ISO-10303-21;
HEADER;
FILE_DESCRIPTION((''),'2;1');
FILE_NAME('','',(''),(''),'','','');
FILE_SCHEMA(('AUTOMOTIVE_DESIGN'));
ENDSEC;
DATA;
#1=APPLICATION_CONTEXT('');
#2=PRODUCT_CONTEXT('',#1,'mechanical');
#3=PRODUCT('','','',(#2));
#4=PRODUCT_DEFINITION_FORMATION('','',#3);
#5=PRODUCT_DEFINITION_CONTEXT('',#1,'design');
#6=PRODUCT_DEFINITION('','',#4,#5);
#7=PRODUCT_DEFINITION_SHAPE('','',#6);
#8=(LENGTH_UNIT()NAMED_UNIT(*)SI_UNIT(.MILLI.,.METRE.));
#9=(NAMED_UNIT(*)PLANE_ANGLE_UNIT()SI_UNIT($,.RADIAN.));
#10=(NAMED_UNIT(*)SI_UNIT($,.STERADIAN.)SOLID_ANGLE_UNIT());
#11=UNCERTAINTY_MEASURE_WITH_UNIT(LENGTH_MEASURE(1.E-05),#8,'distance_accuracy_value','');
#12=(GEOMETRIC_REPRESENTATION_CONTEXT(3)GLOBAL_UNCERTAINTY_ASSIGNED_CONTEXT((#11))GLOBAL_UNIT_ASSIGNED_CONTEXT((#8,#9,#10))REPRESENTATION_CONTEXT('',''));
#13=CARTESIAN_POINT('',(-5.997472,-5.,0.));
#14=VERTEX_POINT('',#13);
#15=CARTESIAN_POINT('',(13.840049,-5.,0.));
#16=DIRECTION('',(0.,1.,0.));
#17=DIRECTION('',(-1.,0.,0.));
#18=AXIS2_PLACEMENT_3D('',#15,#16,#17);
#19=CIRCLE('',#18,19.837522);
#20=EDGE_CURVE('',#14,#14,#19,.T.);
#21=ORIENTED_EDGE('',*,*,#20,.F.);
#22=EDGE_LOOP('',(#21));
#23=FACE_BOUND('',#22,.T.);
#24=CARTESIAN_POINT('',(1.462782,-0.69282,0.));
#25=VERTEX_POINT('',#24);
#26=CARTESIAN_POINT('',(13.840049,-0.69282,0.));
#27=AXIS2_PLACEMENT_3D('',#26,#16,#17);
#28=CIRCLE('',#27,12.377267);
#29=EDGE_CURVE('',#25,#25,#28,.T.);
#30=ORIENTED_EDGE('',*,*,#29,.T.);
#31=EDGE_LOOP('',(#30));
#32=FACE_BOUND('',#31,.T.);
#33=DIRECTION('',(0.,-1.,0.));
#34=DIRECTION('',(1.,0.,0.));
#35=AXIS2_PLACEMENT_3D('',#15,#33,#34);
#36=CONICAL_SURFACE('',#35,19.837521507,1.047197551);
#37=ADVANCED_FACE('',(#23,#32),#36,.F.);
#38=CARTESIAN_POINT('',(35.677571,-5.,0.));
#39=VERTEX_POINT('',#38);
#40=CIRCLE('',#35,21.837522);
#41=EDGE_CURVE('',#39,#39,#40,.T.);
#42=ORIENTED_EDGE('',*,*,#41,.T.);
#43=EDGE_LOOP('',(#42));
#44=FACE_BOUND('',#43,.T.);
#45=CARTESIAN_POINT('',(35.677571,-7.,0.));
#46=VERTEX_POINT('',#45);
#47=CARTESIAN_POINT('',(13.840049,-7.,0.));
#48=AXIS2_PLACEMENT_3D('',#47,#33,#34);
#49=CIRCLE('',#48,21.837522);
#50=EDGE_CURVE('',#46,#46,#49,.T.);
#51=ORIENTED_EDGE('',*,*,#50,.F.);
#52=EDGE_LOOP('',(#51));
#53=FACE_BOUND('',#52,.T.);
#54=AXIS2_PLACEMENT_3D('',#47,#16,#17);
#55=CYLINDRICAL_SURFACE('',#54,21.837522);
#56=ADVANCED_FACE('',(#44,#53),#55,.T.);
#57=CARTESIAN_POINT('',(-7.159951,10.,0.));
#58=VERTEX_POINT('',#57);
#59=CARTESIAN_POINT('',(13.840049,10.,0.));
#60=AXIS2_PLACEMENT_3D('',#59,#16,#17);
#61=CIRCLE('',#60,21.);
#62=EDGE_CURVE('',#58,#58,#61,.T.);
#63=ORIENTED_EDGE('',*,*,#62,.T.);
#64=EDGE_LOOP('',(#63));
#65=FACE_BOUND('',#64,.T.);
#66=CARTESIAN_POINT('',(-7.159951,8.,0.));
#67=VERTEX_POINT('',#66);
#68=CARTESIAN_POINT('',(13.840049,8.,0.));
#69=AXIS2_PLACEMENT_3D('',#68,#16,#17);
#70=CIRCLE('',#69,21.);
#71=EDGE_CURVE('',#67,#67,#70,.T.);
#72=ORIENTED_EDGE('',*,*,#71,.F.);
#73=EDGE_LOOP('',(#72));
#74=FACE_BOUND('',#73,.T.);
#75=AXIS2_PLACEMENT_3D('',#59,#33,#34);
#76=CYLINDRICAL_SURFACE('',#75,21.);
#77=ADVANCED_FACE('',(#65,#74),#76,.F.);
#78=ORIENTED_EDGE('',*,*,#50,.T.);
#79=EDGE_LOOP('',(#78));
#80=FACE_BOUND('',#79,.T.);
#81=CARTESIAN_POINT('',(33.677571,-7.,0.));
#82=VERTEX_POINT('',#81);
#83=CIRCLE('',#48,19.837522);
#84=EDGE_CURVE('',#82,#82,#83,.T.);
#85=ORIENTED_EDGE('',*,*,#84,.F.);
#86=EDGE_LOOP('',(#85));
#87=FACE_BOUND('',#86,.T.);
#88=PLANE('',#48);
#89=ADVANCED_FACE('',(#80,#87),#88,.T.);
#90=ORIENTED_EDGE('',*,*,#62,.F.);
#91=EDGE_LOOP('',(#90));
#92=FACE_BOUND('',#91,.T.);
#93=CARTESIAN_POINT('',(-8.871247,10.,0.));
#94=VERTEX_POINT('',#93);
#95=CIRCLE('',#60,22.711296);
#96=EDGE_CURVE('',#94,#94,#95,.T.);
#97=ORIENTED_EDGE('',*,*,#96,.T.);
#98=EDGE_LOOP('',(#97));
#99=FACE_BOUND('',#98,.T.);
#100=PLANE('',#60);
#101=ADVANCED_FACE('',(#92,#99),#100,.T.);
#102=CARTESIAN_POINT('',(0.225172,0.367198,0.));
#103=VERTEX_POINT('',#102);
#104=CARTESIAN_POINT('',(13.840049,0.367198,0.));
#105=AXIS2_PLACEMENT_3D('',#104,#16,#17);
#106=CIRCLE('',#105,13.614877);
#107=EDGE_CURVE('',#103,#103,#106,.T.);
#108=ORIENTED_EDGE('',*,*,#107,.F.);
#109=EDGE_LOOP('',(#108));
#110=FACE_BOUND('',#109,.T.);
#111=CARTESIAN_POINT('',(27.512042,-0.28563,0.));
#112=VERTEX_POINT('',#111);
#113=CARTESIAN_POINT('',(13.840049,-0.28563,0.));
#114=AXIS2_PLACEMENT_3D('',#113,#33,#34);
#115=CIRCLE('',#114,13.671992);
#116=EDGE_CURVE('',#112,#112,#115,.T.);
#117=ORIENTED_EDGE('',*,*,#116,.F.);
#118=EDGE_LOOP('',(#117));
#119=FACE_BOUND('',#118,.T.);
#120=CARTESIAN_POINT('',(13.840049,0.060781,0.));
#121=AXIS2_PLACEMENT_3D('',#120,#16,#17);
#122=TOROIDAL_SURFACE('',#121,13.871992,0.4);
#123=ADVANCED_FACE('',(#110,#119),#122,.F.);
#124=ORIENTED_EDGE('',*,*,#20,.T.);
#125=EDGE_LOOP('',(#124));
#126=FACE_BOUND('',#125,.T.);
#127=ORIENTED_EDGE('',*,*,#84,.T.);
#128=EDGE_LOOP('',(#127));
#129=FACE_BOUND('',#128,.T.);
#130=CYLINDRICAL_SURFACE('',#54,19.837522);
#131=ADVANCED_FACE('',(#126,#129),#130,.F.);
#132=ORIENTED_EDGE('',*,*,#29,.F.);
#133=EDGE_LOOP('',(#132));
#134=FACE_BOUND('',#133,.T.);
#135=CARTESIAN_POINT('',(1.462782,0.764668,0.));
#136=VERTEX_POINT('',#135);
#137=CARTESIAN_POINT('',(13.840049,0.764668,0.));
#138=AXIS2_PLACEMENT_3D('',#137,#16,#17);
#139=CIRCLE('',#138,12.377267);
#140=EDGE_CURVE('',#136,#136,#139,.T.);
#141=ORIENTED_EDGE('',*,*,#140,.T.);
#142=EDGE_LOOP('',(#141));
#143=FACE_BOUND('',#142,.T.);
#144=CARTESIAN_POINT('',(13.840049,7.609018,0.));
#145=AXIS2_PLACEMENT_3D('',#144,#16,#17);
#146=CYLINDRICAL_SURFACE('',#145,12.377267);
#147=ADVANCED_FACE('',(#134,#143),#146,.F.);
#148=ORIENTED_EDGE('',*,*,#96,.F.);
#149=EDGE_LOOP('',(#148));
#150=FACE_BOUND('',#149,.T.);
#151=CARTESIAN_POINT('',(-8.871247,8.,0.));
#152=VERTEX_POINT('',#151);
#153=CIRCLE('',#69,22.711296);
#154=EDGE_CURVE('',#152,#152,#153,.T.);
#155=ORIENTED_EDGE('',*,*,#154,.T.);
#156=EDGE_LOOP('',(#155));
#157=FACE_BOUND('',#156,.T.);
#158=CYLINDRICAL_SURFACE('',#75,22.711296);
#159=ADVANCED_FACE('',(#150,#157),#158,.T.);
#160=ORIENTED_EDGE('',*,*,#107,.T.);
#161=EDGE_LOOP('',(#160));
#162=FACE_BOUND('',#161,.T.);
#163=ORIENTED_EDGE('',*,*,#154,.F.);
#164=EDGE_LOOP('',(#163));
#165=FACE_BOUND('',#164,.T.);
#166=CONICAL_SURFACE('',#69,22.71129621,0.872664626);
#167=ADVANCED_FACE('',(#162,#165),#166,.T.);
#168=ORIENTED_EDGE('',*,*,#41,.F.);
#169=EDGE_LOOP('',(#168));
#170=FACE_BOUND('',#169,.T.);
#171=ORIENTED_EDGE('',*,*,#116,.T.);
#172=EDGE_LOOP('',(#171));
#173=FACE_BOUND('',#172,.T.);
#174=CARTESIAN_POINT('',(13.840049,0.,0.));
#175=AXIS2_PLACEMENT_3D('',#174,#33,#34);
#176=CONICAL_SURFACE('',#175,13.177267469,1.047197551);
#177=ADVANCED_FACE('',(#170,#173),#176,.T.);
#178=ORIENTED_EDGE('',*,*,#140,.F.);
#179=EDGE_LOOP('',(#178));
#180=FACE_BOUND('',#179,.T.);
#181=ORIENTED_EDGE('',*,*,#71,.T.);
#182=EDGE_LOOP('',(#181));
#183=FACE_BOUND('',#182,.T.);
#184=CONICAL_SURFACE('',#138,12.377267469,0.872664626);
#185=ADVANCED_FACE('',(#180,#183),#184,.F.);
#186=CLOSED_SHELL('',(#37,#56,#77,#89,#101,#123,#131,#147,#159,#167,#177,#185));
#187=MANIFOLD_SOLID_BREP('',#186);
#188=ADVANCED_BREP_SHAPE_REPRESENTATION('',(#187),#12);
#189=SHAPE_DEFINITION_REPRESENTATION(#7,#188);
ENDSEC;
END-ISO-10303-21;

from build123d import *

# Parameters (mm, degrees)
FILLET2_R           = 0.4
SKETCH2_R           = 22.71129621
SKETCH2_R_2         = 21
BOSS_EXTRUDE1_DEPTH = 2
SKETCH3_R           = 21.837521507
SKETCH3_R_2         = 19.837521507
BOSS_EXTRUDE2_DEPTH = 2


with BuildPart() as part:
    # Sketch1 → Revolve1 (revolve)
    with BuildSketch(Plane.XY):
        Polygon((0.662781953, 0), (-8.871246788, 8), (-7.159950579, 8), (1.462781953, 0.764668313), (1.462781953, -0.692820323), (-5.997472085, -5), (-7.997472085, -5), align=None)
    revolve(axis=Axis((13.840049421, 7.609018033, 0), (0, -1, 0)))

    # Fillet2
    fillet2_edges = [part.edges().sort_by_distance(p)[0] for p in [
        (27.01731689, 0, 0),
    ]]
    fillet(fillet2_edges, radius=FILLET2_R)

    # Sketch2 → Boss-Extrude1 (add)
    with BuildSketch(Plane(origin=(0, 8, 0), x_dir=(1, 0, 0), z_dir=(0, 1, 0))):
        with Locations(Location((13.840049421, 0, 0), (0, 0, 180))):
            Circle(SKETCH2_R)
        with Locations(Location((13.840049421, 0, 0), (0, 0, 180))):
            Circle(SKETCH2_R_2, mode=Mode.SUBTRACT)
    extrude(amount=BOSS_EXTRUDE1_DEPTH)

    # Sketch3 → Boss-Extrude2 (add)
    with BuildSketch(Plane.XZ.offset(5)):
        with Locations((13.840049421, 0)):
            Circle(SKETCH3_R)
        with Locations(Location((13.840049421, 0, 0), (0, 0, 180))):
            Circle(SKETCH3_R_2, mode=Mode.SUBTRACT)
    extrude(amount=BOSS_EXTRUDE2_DEPTH)


solid = part.part
